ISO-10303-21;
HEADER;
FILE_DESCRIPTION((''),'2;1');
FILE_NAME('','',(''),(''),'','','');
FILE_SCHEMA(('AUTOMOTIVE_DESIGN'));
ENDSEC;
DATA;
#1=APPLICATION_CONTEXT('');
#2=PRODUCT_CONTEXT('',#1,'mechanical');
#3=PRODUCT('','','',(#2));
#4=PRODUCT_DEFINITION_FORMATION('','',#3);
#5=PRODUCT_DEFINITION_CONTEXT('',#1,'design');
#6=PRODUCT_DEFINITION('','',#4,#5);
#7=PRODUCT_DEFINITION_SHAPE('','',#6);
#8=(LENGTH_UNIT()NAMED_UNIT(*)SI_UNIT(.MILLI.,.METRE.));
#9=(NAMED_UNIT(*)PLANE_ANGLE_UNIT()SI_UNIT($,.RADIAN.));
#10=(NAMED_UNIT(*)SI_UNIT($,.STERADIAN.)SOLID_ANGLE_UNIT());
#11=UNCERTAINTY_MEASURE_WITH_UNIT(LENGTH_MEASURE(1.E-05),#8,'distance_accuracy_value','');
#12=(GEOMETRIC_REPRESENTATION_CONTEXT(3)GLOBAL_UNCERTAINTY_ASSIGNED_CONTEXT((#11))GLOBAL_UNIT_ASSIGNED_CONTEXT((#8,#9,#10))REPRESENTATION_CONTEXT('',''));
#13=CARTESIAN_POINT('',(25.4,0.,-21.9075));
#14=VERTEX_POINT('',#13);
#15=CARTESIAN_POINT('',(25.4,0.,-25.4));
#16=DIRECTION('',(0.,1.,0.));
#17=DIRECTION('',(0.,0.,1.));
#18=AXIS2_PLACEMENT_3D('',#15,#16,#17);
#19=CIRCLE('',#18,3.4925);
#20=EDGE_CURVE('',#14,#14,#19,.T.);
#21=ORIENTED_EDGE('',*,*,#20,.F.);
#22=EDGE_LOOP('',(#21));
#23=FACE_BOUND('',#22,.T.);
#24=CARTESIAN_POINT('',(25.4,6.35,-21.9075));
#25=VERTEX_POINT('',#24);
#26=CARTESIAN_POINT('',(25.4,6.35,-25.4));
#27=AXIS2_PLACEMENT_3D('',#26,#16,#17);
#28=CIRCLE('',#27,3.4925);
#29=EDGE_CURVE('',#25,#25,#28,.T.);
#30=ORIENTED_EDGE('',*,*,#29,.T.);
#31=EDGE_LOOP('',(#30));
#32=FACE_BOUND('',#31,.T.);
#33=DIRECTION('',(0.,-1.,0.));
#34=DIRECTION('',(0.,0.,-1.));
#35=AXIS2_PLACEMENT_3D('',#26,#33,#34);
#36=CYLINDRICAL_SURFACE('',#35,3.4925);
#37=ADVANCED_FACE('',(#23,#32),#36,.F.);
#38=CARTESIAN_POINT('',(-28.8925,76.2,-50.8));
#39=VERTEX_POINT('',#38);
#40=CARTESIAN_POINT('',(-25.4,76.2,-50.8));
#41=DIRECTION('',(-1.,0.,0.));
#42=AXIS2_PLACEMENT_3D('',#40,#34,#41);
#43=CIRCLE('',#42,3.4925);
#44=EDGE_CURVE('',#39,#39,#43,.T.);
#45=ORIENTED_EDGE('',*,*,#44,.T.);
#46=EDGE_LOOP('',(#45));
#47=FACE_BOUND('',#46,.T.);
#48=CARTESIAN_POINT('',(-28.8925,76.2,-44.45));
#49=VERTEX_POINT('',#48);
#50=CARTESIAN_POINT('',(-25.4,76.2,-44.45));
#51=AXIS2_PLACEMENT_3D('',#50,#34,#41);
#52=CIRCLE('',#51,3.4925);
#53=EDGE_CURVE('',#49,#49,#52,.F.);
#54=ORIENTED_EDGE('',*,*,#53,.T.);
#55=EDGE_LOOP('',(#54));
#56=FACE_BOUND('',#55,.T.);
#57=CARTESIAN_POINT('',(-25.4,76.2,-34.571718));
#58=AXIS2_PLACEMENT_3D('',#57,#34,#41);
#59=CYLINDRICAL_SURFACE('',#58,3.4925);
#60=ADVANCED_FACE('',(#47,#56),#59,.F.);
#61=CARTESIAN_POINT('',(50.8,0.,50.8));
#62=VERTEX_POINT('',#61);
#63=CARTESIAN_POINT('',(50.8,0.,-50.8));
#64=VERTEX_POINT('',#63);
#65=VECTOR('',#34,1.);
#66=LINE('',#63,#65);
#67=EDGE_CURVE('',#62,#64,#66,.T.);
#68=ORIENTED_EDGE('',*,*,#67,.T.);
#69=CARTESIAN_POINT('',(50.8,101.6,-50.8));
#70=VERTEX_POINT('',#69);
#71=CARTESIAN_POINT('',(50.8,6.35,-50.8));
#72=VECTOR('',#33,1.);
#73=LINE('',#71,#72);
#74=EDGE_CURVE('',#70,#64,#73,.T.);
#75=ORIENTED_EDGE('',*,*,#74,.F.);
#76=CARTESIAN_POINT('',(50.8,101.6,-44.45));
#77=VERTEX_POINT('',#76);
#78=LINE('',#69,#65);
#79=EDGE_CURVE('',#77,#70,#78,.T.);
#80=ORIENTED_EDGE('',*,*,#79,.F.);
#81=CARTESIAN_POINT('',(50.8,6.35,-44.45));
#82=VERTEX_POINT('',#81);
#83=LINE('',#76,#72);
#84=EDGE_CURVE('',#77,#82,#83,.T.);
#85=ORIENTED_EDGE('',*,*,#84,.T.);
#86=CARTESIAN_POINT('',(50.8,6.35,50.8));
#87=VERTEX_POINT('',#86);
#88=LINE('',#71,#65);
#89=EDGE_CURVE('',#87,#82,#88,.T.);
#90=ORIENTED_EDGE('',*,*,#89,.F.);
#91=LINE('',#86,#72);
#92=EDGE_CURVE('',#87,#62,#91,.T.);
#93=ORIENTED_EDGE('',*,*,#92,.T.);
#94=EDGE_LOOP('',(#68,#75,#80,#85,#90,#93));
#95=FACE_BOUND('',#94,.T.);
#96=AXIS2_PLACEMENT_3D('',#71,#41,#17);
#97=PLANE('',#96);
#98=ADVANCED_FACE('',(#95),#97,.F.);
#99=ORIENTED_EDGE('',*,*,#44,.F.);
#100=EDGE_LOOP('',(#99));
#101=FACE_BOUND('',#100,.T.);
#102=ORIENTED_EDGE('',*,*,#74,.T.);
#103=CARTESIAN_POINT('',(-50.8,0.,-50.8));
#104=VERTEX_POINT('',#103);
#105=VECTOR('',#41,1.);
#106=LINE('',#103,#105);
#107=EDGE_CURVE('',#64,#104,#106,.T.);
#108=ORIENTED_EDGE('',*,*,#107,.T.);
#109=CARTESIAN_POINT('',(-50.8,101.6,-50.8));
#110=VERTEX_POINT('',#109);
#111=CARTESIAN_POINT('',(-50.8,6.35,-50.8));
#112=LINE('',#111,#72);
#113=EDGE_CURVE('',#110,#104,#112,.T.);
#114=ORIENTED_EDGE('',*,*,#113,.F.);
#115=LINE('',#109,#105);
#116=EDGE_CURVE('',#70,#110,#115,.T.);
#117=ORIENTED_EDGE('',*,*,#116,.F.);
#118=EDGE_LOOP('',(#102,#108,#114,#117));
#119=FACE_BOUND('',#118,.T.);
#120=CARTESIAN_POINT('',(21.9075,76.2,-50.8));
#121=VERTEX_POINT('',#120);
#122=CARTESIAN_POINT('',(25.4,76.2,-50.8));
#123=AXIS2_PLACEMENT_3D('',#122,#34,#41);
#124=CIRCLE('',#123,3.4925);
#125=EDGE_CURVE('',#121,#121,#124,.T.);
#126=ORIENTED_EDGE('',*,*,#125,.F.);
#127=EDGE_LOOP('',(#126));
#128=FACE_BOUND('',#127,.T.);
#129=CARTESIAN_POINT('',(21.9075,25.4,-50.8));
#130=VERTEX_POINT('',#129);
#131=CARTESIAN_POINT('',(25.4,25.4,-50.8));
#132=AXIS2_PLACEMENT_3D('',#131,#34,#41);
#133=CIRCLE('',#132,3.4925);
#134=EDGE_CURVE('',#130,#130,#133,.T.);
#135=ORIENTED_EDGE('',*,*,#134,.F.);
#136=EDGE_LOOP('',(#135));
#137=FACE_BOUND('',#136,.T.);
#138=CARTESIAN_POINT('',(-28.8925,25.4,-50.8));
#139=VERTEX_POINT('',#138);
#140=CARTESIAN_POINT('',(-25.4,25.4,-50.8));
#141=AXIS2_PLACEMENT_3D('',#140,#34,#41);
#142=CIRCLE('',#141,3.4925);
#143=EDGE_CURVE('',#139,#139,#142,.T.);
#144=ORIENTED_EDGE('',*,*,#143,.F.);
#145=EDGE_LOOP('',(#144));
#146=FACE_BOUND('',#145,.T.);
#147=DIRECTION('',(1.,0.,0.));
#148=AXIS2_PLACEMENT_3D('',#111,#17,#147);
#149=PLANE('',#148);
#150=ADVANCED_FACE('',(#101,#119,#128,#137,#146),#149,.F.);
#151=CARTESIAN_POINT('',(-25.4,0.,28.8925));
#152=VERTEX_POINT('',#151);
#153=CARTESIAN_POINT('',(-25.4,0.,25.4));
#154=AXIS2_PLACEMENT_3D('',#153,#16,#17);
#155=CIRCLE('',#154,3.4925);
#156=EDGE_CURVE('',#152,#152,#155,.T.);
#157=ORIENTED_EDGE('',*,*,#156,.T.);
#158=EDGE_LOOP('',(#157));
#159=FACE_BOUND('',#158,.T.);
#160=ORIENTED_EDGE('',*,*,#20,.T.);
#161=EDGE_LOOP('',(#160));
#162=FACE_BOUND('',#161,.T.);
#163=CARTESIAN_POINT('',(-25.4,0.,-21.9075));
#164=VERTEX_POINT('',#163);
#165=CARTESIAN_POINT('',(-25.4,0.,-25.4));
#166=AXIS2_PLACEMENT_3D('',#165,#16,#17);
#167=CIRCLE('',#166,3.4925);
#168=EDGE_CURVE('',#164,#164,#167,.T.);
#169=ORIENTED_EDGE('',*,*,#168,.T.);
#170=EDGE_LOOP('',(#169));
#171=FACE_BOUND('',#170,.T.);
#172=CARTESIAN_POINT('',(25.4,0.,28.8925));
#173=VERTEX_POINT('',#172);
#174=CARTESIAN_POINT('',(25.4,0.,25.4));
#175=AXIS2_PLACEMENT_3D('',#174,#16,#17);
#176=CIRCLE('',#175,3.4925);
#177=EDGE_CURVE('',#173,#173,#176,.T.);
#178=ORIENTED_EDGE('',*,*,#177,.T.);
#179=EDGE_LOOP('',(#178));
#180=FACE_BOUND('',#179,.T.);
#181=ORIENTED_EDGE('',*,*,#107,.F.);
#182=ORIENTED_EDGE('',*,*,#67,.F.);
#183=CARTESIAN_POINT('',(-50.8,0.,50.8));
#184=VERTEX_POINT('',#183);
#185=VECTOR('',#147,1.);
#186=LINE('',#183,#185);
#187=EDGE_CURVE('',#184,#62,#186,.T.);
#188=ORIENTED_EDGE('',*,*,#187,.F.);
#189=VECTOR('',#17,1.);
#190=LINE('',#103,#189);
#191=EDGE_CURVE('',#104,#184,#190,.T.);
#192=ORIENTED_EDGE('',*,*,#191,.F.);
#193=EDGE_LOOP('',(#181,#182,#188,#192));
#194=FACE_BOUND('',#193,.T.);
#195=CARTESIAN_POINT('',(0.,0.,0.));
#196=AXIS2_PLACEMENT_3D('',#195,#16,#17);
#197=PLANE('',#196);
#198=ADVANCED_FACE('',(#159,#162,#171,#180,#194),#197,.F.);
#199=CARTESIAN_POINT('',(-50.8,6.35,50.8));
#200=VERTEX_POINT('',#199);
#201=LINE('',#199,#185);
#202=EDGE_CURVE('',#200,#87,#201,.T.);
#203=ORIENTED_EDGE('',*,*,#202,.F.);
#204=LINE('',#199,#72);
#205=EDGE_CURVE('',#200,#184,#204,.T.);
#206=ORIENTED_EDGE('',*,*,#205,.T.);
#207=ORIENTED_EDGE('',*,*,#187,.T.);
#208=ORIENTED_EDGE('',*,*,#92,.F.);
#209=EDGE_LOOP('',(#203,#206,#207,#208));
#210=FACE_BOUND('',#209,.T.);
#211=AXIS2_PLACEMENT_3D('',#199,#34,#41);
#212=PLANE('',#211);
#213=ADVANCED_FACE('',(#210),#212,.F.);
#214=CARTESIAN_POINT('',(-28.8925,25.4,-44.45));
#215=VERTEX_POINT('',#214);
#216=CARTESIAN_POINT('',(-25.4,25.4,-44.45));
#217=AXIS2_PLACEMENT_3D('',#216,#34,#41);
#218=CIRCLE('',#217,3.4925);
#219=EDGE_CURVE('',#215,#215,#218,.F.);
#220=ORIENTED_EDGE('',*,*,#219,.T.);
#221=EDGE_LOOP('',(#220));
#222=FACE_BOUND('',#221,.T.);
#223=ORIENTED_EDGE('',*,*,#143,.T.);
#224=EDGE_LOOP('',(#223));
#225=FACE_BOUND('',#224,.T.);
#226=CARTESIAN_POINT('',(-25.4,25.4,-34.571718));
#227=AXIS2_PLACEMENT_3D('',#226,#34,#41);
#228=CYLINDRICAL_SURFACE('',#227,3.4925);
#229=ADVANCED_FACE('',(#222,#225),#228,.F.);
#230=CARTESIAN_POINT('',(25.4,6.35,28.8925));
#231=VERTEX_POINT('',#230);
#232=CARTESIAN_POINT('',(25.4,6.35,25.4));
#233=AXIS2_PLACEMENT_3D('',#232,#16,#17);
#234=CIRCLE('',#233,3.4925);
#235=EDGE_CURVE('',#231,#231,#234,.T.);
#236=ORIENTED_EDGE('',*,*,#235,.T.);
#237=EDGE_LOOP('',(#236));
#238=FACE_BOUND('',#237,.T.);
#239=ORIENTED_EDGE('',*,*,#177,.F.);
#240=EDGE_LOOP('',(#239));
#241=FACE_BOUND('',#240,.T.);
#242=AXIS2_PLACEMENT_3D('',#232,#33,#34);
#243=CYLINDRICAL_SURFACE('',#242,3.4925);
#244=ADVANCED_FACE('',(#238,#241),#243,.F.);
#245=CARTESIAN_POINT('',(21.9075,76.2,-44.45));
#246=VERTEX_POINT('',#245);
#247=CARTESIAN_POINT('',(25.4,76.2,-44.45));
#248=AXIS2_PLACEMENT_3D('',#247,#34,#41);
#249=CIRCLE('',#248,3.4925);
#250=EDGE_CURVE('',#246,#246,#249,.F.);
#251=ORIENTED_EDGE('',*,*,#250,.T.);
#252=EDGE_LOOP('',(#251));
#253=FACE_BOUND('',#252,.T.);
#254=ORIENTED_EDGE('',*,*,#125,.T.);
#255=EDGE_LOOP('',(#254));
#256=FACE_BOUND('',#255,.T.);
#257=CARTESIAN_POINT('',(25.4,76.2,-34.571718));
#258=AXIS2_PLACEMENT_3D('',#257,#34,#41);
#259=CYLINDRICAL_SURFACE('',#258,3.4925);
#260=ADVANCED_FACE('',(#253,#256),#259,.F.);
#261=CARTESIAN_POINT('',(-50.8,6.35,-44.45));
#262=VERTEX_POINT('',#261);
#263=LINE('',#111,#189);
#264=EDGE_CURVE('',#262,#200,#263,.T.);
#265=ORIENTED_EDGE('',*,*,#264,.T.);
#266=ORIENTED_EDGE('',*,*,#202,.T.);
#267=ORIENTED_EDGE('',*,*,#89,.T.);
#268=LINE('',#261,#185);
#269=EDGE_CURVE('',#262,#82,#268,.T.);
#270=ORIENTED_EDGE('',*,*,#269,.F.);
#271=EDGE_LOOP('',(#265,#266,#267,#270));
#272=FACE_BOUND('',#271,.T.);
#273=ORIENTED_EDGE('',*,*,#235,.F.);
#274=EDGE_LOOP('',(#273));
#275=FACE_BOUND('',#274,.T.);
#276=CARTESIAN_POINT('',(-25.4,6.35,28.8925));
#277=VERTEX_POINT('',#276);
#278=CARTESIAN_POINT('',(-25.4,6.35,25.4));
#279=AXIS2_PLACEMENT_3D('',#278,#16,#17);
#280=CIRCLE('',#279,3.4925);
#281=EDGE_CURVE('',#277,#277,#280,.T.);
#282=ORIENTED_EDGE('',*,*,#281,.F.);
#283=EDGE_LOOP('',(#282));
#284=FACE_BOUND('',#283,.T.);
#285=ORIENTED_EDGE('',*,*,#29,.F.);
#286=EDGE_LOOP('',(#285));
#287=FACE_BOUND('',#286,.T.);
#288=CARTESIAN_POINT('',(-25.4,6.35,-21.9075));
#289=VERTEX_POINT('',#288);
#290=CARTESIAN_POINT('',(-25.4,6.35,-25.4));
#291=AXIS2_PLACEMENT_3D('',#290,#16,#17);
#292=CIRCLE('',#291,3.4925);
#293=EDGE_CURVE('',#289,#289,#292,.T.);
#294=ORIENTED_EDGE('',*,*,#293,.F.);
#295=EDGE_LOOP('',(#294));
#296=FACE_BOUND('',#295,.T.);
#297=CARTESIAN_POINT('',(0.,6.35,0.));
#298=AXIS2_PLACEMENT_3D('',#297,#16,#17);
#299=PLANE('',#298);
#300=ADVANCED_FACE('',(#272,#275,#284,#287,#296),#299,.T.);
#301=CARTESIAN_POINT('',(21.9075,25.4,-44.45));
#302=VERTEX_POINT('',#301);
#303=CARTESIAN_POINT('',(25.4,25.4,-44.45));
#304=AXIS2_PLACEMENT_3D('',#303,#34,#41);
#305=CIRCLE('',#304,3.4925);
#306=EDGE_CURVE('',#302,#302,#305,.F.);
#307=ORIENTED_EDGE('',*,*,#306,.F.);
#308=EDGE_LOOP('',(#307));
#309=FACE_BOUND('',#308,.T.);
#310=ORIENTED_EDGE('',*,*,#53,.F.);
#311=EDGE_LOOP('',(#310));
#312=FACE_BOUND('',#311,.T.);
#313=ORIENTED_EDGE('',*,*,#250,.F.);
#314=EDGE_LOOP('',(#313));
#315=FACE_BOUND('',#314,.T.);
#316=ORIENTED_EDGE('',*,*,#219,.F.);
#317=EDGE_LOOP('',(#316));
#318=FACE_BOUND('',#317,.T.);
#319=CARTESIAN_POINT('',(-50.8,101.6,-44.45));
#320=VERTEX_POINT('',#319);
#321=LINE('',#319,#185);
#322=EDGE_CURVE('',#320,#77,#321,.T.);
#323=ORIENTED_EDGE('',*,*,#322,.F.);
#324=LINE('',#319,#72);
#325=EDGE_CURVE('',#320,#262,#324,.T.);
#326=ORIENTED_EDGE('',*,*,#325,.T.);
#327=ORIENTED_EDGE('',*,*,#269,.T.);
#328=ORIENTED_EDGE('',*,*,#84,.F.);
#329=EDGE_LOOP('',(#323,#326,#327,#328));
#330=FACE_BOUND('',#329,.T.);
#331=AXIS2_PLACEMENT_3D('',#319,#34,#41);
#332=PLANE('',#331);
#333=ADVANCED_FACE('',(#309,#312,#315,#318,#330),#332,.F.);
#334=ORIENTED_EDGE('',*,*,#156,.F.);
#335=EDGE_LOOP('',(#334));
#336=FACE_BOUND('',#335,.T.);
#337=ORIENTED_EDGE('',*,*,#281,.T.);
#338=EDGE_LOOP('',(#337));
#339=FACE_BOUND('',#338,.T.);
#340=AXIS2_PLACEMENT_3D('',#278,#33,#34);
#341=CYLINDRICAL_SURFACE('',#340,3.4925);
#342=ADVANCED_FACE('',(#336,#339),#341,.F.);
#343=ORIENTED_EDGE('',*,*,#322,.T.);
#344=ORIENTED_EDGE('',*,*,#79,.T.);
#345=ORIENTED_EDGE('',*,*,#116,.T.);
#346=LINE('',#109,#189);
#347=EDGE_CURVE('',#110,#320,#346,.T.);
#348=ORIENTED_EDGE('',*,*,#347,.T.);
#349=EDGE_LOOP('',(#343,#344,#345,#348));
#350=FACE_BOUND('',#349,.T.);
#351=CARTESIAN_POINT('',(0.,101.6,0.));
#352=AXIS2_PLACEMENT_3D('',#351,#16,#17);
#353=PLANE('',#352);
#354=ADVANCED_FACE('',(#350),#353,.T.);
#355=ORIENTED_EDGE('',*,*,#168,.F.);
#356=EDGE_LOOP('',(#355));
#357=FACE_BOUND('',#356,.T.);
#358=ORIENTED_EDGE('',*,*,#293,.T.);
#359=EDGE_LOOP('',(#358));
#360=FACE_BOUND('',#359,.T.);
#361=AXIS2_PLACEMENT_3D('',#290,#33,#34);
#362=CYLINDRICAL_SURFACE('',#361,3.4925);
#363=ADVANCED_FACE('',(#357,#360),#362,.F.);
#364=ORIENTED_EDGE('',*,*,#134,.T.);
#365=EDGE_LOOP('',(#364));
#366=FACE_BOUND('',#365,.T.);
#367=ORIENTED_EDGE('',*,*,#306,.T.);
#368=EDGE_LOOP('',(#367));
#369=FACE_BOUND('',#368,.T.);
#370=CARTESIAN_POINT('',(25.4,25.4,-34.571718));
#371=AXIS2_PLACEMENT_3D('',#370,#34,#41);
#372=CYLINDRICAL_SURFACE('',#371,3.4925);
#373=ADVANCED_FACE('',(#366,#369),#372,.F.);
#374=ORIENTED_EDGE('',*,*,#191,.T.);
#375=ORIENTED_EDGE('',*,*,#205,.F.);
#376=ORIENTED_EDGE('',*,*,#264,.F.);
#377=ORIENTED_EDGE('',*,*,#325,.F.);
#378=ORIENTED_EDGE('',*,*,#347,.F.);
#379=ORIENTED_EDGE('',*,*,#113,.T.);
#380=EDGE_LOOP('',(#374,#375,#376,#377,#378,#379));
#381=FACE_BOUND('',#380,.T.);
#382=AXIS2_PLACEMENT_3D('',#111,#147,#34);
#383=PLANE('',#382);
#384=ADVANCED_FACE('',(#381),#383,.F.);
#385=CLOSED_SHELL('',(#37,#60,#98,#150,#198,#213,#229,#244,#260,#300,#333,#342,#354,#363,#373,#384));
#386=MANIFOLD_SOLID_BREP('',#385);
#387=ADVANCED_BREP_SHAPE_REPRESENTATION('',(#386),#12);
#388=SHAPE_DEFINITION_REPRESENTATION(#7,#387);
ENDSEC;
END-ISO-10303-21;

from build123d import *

# Parameters (mm, degrees)
SKETCH1_W           = 101.6
SKETCH1_H           = 101.6
SKETCH1_R           = 3.4925
BOSS_EXTRUDE1_DEPTH = 6.35
SKETCH2_W           = 101.6
SKETCH2_H           = 6.35
BOSS_EXTRUDE2_DEPTH = 95.25
SKETCH3_R           = 3.4925
CUT_EXTRUDE1_DEPTH  = 6.35


with BuildPart() as part:
    # Sketch1 → Boss-Extrude1 (new body)
    with BuildSketch(Plane(origin=(0, 0, 0), x_dir=(1, 0, 0), z_dir=(0, 1, 0))):
        Rectangle(SKETCH1_W, SKETCH1_H)
        with Locations(Location((-25.4, 25.4, 0), (0, 0, 270))):
            Circle(SKETCH1_R, mode=Mode.SUBTRACT)
        with Locations(Location((25.4, 25.4, 0), (0, 0, 270))):
            Circle(SKETCH1_R, mode=Mode.SUBTRACT)
        with Locations(Location((25.4, -25.4, 0), (0, 0, 270))):
            Circle(SKETCH1_R, mode=Mode.SUBTRACT)
        with Locations(Location((-25.4, -25.4, 0), (0, 0, 270))):
            Circle(SKETCH1_R, mode=Mode.SUBTRACT)
    extrude(amount=BOSS_EXTRUDE1_DEPTH)

    # Sketch2 → Boss-Extrude2 (add)
    with BuildSketch(Plane(origin=(0, 6.35, 0), x_dir=(1, 0, 0), z_dir=(0, 1, 0))):
        with Locations((0, 47.625)):
            Rectangle(SKETCH2_W, SKETCH2_H)
    extrude(amount=BOSS_EXTRUDE2_DEPTH)

    # Sketch3 → Cut-Extrude1 (cut)
    with BuildSketch(Plane(origin=(0, 0, -50.8), x_dir=(-1, 0, 0), z_dir=(0, 0, -1))):
        with Locations((-25.4, 76.2)):
            Circle(SKETCH3_R)
        with Locations((25.4, 76.2)):
            Circle(SKETCH3_R)
        with Locations((25.4, 25.4)):
            Circle(SKETCH3_R)
        with Locations((-25.4, 25.4)):
            Circle(SKETCH3_R)
    extrude(amount=-CUT_EXTRUDE1_DEPTH, mode=Mode.SUBTRACT)


solid = part.part
